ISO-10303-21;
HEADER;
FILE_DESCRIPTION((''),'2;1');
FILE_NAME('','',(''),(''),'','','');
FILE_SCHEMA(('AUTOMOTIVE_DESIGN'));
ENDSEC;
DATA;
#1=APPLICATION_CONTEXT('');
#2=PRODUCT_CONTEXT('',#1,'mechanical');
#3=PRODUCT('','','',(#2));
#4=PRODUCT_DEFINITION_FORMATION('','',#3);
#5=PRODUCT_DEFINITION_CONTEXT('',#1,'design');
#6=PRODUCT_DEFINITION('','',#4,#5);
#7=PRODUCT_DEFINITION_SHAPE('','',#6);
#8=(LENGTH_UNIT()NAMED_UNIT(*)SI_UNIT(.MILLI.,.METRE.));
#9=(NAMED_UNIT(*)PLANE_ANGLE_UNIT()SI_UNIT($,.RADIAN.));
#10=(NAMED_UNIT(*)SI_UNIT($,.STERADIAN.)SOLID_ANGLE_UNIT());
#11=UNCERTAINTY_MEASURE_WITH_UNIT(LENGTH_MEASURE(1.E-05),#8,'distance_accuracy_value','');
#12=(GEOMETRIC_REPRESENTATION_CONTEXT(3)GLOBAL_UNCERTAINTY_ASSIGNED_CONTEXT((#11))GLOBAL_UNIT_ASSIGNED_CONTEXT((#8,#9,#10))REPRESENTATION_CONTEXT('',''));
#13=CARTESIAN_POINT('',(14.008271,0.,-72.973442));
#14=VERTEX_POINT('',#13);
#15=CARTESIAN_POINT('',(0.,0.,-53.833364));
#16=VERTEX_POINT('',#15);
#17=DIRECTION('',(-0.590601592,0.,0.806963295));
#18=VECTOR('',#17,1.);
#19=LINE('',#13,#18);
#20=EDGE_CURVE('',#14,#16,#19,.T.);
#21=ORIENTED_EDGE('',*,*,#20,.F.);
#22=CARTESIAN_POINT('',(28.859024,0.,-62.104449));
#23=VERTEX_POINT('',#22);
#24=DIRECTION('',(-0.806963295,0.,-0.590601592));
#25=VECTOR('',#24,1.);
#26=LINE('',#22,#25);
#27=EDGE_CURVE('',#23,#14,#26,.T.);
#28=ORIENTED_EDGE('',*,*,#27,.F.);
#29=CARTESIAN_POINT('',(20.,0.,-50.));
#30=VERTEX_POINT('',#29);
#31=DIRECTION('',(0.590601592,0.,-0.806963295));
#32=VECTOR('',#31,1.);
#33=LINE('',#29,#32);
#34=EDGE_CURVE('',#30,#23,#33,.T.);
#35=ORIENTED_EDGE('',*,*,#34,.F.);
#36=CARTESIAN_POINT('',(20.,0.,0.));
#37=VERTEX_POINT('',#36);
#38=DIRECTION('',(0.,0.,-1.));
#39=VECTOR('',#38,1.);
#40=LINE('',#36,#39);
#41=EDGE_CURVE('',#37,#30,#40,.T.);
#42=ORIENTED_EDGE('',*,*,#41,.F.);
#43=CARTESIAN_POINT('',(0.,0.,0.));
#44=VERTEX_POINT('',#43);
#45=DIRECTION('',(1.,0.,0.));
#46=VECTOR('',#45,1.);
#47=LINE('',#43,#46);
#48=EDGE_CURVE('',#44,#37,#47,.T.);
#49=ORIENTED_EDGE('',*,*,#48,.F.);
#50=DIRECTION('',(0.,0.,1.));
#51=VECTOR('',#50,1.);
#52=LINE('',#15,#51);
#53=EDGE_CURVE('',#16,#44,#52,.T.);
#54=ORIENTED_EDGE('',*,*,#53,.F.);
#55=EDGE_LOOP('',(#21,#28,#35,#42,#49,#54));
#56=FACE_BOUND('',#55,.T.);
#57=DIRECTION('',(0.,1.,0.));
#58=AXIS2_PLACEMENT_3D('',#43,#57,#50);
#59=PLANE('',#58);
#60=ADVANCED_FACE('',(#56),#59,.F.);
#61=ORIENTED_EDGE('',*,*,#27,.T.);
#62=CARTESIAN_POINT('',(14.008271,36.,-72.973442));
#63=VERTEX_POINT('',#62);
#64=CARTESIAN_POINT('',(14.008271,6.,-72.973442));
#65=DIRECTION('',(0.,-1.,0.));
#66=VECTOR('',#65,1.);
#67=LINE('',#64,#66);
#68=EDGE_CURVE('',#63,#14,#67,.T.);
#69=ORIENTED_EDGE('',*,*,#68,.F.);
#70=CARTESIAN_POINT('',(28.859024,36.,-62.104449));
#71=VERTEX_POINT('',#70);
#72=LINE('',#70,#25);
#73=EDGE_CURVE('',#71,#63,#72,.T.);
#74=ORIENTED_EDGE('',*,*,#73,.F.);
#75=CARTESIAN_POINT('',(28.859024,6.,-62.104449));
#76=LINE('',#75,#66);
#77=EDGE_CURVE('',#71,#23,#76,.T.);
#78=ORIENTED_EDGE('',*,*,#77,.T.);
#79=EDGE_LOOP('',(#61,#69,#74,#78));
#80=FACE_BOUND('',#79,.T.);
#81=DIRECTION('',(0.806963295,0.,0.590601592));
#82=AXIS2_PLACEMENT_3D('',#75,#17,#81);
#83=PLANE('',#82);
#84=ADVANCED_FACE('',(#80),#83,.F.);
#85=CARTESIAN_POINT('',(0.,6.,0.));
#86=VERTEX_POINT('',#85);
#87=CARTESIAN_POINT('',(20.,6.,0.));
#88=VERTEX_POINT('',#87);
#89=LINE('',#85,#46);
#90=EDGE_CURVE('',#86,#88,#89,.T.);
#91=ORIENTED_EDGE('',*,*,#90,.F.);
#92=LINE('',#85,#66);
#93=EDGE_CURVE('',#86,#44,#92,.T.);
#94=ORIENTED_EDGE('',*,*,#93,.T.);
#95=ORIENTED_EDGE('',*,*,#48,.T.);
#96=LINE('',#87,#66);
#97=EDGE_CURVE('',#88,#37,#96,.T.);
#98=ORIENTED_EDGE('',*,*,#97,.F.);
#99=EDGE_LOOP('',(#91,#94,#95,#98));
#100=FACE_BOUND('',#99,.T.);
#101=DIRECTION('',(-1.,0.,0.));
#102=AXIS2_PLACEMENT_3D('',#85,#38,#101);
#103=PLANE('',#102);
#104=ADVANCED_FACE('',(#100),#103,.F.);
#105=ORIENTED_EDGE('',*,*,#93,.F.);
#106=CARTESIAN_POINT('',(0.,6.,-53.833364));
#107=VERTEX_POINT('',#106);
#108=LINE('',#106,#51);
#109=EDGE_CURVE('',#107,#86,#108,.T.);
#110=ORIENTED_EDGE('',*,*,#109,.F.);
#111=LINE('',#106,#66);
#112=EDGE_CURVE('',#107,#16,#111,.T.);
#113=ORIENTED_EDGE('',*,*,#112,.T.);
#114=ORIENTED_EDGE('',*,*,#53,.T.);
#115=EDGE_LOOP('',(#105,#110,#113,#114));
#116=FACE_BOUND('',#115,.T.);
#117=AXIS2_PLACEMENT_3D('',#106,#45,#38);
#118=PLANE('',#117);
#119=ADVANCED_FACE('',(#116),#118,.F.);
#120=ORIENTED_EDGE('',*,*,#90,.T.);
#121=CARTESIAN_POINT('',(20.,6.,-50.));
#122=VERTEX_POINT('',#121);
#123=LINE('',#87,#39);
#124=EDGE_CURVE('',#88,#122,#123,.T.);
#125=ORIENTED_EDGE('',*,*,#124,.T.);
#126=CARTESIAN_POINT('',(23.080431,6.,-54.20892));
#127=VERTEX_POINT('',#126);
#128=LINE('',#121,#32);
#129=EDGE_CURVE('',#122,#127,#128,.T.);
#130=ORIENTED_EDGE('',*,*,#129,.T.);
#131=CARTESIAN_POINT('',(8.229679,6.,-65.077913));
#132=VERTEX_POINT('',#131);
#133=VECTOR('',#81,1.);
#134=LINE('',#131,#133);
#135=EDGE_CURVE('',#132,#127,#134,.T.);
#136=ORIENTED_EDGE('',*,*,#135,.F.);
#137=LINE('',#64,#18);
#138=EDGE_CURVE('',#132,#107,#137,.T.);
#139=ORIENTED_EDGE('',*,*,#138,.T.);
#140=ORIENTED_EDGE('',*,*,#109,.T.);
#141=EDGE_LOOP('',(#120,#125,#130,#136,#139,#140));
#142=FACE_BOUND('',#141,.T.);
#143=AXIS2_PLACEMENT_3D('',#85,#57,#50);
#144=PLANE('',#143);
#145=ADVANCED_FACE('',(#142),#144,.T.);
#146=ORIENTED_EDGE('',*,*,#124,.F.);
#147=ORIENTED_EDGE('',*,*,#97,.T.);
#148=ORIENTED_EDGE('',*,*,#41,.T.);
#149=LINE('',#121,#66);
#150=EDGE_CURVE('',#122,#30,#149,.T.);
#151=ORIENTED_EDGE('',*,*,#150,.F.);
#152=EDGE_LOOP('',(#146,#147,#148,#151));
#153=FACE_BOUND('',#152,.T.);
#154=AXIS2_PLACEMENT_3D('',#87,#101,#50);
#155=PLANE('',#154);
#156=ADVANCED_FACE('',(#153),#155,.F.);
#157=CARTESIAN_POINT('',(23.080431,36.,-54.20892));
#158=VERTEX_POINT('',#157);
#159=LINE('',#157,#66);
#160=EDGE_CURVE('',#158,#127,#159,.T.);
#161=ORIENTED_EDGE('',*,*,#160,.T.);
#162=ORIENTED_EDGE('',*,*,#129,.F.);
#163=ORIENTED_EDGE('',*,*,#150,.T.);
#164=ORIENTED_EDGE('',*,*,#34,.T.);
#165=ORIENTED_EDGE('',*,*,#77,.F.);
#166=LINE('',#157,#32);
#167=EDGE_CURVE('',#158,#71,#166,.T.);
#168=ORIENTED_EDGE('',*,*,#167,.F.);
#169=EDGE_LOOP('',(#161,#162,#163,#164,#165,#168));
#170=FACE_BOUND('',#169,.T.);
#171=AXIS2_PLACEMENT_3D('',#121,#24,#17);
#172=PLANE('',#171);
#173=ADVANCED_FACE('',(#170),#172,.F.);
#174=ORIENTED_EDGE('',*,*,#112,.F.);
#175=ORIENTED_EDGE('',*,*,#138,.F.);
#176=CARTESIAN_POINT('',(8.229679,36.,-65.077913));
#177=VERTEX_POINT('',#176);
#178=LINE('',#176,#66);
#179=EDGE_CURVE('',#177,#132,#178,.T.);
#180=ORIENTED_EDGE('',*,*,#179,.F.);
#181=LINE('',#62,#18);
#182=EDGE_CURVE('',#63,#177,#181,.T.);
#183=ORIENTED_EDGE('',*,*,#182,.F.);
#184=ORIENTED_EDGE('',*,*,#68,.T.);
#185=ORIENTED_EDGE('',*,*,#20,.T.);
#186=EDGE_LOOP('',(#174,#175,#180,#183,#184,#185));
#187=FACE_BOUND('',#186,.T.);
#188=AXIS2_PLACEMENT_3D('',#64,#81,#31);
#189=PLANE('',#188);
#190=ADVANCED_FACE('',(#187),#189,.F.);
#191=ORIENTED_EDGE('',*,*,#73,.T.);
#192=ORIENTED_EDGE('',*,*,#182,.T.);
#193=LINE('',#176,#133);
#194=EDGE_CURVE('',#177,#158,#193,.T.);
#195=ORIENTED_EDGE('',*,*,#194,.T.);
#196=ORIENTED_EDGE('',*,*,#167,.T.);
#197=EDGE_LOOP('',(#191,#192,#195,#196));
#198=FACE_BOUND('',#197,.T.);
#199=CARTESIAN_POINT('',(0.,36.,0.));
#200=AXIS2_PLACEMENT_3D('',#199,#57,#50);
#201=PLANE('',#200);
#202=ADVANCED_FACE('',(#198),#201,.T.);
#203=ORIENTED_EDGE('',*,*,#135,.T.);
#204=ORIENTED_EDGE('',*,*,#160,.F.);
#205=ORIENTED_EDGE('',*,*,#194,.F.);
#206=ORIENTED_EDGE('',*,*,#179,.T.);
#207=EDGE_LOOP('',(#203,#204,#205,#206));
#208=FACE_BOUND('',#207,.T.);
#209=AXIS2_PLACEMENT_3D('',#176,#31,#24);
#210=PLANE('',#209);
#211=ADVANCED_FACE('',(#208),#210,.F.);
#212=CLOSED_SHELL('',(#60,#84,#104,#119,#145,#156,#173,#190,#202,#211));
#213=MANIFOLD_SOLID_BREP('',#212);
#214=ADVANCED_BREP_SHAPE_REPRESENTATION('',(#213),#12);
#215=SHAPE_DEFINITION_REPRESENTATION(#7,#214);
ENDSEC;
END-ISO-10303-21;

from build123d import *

# Parameters (mm, degrees)
BOSS_EXTRUDE1_DEPTH = 6
BOSS_EXTRUDE2_DEPTH = 30


with BuildPart() as part:
    # Sketch1 → Boss-Extrude1 (new body)
    with BuildSketch(Plane(origin=(0, 0, 0), x_dir=(1, 0, 0), z_dir=(0, 1, 0))):
        Polygon((0, 0), (20, 0), (20, 50), (28.859023883, 62.104449423), (14.00827122, 72.973442133), (0, 53.833363868), align=None)
    extrude(amount=BOSS_EXTRUDE1_DEPTH)

    # Sketch2 → Boss-Extrude2 (add)
    with BuildSketch(Plane(origin=(0, 6, 0), x_dir=(1, 0, 0), z_dir=(0, 1, 0))):
        Polygon((14.00827122, 72.973442133), (8.22967873, 65.077913072), (23.080431394, 54.208920362), (28.859023883, 62.104449423), align=None)
    extrude(amount=BOSS_EXTRUDE2_DEPTH)


solid = part.part
